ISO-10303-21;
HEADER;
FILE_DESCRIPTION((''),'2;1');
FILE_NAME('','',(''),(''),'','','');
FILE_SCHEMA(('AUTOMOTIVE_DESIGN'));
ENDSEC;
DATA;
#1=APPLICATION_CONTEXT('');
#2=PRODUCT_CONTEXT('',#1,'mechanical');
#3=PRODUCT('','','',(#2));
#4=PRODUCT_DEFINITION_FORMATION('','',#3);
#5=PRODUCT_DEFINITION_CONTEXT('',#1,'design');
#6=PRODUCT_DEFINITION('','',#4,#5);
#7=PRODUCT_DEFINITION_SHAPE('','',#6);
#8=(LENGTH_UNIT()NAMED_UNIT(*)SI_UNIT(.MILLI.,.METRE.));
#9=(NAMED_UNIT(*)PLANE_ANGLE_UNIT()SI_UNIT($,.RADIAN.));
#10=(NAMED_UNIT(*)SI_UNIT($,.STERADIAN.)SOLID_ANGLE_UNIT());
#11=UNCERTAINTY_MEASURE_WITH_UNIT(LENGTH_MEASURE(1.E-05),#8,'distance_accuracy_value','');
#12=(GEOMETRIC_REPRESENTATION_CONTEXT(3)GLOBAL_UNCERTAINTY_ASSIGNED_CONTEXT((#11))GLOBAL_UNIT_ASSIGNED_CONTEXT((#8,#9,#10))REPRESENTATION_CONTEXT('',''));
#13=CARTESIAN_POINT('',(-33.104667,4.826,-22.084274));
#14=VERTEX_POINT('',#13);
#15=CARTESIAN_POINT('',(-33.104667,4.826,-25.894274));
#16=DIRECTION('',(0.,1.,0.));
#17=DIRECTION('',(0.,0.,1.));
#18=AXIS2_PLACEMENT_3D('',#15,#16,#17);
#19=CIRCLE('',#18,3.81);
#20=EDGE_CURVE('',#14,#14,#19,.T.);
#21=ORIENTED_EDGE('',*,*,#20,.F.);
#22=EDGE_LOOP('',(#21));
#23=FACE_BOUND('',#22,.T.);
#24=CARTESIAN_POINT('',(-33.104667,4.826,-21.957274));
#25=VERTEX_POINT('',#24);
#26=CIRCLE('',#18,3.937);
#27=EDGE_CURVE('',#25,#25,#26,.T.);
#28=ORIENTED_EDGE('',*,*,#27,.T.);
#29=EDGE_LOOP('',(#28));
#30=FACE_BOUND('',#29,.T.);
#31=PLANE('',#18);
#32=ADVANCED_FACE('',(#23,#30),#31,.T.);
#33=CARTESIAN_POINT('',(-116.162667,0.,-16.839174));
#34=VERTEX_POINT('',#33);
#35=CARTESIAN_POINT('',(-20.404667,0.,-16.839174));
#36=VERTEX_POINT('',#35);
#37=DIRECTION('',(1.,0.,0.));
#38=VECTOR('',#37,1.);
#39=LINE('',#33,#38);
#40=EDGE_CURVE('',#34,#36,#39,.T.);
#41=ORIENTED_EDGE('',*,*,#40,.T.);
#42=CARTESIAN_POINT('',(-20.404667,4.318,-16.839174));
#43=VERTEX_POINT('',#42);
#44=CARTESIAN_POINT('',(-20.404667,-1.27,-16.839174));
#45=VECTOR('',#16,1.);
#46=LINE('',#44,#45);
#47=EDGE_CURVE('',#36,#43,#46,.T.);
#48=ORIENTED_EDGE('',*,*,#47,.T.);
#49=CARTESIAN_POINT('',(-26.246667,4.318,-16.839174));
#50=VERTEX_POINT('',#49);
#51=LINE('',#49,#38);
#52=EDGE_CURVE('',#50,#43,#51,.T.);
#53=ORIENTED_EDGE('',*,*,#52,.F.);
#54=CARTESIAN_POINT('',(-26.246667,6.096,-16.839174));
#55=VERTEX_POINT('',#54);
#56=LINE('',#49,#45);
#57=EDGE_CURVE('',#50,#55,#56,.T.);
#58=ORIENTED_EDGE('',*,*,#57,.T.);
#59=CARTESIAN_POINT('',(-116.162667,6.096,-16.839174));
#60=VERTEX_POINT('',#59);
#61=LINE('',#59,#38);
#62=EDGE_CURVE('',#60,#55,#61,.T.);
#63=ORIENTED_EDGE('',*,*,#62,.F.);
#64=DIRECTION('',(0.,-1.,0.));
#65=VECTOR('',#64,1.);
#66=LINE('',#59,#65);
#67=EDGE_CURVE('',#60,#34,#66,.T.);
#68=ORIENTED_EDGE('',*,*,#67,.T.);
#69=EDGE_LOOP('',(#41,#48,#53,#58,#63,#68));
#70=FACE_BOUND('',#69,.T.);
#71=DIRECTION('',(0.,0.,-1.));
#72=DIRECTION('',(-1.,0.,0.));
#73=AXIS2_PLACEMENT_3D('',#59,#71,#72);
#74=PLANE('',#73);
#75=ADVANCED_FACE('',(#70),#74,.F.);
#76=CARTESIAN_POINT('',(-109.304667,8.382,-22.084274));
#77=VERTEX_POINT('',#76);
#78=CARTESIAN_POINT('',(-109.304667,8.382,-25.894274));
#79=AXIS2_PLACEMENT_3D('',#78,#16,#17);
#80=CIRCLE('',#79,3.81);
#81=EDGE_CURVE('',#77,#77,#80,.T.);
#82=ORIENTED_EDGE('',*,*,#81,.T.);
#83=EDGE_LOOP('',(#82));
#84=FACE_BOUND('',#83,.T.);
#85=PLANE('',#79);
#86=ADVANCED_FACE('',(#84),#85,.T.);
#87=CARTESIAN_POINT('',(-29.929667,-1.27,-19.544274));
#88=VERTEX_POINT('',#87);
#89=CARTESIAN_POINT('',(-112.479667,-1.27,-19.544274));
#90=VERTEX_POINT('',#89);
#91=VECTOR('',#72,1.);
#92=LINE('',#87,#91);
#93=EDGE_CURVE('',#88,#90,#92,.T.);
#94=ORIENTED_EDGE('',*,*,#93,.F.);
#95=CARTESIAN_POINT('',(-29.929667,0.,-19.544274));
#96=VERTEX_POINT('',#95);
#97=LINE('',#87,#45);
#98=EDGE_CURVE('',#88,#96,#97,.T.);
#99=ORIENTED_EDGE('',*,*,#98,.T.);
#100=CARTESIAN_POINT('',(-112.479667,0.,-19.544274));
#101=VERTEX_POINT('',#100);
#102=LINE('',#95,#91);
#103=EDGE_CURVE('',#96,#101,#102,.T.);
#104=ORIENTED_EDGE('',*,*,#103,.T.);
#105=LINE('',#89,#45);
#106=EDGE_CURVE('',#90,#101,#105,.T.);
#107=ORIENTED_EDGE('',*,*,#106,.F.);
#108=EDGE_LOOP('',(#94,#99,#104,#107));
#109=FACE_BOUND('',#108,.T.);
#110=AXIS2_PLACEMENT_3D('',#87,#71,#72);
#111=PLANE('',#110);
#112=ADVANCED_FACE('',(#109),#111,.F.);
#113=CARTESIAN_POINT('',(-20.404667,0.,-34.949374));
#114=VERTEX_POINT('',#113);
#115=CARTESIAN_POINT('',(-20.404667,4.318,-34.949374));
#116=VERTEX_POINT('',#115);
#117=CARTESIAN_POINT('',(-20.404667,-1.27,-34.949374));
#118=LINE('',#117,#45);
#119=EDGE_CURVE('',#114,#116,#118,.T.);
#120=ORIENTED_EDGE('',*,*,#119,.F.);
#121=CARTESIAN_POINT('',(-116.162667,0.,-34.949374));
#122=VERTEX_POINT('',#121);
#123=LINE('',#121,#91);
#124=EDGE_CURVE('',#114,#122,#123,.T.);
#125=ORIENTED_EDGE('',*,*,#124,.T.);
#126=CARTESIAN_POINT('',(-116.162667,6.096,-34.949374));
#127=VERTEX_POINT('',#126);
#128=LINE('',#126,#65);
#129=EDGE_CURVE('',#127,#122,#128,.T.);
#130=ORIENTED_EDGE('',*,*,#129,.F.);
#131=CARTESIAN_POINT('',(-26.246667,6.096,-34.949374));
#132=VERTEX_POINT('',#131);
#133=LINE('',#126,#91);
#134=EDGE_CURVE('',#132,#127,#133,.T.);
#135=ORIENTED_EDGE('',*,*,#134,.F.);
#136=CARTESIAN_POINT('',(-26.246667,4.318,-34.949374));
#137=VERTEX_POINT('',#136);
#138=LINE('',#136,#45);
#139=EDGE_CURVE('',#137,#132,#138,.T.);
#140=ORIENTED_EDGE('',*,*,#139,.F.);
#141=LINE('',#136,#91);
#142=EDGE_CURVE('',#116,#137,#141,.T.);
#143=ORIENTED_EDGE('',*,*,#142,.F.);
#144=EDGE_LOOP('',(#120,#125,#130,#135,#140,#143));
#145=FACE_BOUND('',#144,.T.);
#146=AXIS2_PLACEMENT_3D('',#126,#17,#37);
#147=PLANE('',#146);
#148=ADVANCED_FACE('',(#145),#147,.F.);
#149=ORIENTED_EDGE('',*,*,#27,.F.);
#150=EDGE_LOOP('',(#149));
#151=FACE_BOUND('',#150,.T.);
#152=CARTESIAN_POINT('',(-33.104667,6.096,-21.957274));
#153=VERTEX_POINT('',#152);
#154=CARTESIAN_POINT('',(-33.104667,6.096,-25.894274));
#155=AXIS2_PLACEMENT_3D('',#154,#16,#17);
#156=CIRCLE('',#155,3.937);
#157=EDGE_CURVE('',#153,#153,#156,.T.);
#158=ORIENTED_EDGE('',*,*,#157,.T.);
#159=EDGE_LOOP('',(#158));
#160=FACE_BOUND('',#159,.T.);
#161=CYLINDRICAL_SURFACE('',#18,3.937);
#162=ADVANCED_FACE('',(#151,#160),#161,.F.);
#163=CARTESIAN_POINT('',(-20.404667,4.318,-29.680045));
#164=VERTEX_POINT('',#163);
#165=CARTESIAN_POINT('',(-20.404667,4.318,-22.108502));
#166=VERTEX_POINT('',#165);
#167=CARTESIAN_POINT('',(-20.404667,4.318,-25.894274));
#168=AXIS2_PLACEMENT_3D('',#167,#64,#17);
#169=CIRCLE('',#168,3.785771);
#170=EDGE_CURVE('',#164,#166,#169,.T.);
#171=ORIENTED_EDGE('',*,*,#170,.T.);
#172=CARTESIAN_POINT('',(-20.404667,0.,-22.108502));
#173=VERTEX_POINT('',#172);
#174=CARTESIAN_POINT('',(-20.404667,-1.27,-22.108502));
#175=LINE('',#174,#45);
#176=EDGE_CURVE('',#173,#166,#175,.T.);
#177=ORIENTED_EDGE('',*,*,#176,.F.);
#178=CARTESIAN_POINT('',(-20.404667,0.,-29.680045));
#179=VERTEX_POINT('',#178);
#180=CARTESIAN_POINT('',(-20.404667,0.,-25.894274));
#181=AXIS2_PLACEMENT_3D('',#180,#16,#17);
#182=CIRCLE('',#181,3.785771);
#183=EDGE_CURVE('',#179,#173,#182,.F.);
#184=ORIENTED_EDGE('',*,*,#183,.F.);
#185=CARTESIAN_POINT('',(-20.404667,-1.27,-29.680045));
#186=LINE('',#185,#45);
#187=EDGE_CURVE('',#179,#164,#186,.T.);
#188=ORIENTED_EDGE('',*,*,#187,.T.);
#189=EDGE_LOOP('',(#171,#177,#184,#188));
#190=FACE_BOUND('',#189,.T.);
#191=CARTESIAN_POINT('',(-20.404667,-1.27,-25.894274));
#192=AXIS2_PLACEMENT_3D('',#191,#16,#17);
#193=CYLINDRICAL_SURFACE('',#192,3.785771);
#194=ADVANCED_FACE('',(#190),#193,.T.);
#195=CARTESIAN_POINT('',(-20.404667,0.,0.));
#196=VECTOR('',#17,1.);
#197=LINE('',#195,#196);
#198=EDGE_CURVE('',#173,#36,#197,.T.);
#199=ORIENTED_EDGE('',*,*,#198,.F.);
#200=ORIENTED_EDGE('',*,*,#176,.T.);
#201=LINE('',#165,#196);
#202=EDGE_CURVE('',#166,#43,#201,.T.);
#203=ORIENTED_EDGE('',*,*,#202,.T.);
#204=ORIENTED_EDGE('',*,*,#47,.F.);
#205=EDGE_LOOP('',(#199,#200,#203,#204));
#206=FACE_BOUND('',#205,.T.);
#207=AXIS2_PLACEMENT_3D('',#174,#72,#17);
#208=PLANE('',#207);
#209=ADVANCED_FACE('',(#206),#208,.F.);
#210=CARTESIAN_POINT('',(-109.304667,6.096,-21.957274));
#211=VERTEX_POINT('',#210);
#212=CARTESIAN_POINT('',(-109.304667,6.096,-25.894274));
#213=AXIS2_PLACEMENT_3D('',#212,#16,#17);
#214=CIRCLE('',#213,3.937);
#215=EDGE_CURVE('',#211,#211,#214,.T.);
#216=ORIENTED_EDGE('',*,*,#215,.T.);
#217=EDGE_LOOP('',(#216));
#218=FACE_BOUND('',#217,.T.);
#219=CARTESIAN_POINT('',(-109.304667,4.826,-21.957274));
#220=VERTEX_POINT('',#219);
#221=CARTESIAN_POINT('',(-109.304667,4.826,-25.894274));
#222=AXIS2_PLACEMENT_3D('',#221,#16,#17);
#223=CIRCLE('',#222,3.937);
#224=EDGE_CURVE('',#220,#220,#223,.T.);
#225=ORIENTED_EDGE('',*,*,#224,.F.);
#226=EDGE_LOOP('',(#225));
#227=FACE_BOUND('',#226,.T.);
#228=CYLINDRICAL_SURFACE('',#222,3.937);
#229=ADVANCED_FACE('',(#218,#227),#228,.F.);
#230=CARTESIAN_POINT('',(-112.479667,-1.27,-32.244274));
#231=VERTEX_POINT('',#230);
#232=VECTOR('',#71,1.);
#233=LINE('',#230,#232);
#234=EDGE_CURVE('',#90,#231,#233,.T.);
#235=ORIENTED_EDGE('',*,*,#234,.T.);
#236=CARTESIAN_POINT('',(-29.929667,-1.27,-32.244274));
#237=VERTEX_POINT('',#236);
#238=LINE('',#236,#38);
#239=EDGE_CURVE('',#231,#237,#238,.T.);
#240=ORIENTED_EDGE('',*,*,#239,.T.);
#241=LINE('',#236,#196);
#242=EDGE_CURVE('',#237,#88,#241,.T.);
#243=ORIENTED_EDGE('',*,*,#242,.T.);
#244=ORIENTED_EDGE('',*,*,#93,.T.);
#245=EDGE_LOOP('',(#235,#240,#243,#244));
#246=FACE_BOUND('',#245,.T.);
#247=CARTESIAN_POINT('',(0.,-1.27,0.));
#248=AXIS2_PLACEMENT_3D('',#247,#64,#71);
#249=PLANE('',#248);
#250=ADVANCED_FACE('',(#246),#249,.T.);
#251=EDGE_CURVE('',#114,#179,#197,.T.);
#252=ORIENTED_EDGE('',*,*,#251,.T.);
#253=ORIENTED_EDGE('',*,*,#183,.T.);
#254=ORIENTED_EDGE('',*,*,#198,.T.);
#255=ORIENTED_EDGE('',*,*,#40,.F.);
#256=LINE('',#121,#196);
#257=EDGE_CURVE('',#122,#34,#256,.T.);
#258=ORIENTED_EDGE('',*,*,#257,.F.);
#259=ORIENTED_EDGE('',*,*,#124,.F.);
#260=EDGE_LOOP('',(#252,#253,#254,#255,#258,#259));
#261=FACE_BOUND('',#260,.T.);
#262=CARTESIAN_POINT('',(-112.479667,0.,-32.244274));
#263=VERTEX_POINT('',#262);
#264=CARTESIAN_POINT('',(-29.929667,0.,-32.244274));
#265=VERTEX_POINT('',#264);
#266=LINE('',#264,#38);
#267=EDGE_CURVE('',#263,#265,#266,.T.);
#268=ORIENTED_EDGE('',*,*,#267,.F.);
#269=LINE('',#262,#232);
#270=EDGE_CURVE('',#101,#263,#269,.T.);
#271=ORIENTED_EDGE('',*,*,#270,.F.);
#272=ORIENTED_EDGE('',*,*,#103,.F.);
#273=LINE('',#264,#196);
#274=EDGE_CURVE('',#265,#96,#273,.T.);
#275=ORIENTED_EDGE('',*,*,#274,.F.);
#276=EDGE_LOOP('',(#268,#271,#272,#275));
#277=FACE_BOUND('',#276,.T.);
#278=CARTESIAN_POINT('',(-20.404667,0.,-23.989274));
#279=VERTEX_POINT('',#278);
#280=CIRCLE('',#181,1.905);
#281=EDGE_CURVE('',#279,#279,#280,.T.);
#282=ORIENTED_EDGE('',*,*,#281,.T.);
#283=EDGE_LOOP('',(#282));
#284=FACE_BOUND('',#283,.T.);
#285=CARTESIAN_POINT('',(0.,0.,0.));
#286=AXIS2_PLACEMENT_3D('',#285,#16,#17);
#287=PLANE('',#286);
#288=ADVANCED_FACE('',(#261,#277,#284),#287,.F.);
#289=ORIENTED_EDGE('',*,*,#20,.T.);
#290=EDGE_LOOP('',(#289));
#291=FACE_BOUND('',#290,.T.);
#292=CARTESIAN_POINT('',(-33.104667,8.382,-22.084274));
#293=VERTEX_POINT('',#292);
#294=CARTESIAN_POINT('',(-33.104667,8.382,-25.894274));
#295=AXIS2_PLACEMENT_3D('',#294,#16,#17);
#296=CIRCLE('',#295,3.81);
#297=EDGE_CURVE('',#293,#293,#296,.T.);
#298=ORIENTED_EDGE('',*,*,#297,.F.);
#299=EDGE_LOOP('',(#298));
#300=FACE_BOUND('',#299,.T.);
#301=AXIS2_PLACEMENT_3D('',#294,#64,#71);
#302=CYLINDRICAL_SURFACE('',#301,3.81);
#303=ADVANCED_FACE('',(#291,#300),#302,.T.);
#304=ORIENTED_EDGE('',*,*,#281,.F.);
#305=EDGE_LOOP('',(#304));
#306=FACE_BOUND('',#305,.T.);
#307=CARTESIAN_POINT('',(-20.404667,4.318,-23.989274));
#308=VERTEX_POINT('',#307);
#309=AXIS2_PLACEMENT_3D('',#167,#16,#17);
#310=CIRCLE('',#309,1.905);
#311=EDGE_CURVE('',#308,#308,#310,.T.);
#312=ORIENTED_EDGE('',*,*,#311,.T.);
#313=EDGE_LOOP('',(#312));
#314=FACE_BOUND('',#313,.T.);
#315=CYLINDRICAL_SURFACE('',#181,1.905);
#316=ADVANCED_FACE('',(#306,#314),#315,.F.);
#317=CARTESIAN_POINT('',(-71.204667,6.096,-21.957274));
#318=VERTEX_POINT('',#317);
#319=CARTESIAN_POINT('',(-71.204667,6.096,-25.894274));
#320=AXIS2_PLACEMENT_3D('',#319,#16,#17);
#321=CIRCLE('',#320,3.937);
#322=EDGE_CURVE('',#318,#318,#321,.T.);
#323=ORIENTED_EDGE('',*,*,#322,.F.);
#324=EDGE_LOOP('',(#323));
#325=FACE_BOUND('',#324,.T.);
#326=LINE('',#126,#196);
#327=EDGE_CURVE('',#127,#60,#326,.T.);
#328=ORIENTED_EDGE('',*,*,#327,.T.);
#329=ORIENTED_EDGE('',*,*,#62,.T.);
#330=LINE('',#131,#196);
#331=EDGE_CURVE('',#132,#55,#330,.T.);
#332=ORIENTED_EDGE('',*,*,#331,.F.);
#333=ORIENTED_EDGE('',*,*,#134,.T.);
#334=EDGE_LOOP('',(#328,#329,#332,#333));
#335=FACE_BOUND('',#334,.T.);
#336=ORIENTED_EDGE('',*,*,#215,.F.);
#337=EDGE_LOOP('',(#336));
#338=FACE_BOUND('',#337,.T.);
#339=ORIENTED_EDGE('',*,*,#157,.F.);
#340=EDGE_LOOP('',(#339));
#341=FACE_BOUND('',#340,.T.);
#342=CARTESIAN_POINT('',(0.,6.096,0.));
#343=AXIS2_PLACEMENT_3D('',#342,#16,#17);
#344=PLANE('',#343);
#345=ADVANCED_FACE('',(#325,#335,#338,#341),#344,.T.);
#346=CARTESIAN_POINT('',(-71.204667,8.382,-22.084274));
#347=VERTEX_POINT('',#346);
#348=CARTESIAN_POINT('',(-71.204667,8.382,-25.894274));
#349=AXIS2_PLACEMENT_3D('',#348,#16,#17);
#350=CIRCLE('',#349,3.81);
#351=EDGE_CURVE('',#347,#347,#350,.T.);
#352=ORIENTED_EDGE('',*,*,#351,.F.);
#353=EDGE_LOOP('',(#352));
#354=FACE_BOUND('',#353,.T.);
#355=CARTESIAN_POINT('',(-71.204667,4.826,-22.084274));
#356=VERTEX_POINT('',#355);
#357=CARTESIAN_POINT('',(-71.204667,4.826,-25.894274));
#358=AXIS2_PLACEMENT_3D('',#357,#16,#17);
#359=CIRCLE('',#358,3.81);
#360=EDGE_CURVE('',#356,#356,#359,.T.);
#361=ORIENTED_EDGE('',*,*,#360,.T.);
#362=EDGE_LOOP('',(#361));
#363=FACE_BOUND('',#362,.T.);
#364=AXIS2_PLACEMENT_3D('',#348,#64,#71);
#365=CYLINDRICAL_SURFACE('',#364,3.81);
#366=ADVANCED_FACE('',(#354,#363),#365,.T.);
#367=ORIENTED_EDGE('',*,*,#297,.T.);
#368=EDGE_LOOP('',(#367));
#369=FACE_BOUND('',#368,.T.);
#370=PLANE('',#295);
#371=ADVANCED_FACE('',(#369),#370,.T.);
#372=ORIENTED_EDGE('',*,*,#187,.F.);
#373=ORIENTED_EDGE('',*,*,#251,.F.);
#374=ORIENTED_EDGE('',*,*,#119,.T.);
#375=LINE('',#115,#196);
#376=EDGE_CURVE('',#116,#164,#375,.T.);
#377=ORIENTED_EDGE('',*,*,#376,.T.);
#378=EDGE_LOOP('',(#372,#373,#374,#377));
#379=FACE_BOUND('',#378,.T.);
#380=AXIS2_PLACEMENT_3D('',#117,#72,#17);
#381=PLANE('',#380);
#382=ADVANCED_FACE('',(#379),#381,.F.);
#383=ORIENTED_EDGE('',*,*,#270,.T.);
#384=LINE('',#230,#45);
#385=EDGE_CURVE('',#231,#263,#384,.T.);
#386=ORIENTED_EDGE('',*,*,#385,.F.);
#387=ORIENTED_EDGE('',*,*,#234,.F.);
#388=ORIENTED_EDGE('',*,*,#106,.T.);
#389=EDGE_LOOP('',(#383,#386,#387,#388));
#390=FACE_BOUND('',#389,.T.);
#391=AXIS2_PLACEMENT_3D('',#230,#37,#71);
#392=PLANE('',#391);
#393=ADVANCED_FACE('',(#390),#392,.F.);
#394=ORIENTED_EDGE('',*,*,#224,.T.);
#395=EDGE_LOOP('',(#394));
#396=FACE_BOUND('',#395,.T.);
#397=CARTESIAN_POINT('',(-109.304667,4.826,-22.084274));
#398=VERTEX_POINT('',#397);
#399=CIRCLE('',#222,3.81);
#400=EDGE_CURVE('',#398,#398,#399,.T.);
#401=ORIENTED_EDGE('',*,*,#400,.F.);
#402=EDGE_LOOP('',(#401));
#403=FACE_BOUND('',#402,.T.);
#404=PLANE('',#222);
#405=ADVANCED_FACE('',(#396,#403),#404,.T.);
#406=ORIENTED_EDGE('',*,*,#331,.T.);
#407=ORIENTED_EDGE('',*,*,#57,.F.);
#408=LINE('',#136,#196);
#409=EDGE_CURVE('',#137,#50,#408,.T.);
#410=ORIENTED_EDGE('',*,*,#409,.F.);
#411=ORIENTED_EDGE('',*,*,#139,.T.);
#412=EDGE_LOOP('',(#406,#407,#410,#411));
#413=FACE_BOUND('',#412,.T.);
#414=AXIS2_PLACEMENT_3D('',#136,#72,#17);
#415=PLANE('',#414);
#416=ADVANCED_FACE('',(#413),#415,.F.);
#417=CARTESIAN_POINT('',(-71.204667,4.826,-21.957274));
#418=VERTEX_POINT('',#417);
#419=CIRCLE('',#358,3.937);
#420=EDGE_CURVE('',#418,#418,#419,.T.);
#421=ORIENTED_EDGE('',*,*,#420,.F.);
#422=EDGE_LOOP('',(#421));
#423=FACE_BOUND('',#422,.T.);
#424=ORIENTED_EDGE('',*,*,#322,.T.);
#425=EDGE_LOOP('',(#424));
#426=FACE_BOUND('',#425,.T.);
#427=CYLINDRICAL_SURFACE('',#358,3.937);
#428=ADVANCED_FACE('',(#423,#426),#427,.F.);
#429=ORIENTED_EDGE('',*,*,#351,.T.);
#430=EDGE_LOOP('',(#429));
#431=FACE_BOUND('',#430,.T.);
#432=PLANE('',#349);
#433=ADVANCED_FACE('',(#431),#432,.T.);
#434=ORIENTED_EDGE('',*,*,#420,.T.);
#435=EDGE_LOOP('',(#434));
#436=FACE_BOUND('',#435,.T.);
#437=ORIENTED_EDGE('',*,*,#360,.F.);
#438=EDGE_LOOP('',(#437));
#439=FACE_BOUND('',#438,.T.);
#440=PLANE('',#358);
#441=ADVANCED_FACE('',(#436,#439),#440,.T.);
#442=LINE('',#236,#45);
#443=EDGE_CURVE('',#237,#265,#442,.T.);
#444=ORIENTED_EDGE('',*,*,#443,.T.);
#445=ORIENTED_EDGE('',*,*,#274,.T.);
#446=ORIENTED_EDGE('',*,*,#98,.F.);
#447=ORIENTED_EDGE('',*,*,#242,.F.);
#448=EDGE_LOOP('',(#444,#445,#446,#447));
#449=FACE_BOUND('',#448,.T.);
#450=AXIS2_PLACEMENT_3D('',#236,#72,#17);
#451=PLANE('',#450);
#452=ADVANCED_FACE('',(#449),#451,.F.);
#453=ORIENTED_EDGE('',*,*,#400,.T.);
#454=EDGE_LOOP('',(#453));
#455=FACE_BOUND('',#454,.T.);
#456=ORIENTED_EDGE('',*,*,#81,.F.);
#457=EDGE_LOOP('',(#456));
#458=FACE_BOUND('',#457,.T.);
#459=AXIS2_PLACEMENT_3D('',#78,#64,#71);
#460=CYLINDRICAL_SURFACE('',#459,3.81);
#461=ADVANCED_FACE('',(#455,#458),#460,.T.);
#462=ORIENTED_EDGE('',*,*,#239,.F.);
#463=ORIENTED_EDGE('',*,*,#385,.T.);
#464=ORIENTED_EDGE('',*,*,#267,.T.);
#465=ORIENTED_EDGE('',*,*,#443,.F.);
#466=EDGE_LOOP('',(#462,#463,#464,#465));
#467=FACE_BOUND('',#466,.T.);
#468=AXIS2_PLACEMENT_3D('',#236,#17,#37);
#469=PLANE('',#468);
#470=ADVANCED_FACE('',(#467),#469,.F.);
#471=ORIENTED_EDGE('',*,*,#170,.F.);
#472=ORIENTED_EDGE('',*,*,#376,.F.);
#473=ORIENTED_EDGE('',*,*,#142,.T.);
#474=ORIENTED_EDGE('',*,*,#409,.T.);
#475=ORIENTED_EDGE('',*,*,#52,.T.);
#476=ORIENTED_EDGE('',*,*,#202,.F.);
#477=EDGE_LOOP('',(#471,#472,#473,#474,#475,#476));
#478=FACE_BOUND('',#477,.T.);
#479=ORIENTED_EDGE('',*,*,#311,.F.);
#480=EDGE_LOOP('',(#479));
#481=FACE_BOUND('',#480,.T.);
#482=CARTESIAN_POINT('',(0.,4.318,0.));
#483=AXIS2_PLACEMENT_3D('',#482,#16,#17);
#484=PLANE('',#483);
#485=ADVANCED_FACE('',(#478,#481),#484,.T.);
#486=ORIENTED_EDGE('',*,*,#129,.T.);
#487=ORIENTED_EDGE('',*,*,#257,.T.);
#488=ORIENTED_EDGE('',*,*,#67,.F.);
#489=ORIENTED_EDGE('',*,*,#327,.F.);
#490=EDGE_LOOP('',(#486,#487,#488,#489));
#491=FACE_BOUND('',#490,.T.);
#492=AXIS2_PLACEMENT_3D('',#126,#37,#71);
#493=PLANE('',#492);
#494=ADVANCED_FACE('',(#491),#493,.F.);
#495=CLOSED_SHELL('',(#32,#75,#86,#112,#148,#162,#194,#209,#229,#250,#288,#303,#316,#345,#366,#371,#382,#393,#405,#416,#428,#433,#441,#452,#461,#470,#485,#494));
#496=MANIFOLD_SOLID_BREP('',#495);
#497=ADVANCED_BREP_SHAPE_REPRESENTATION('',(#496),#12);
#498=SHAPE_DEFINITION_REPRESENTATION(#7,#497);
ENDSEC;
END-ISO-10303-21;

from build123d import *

# Parameters (mm, degrees)
SKETCH1_W           = 99.568
SKETCH1_H           = 18.1102
BOSS_EXTRUDE1_DEPTH = 6.096
SKETCH2_W           = 9.652
SKETCH2_H           = 18.1102
CUT_EXTRUDE1_DEPTH  = 1.778
SKETCH3_R           = 1.905
CUT_EXTRUDE2_DEPTH  = 5.318
SKETCH4_R           = 3.937
CUT_EXTRUDE3_DEPTH  = 1.27
SKETCH5_W           = 82.55
SKETCH5_H           = 12.7
BOSS_EXTRUDE2_DEPTH = 1.27
CUT_EXTRUDE4_DEPTH  = 6.588
SKETCH8_R           = 3.81
BOSS_EXTRUDE3_DEPTH = 3.556


with BuildPart() as part:
    # Sketch1 → Boss-Extrude1 (new body)
    with BuildSketch(Plane(origin=(0, 0, 0), x_dir=(1, 0, 0), z_dir=(0, 1, 0))):
        with Locations((-66.378666667, 25.894273737)):
            Rectangle(SKETCH1_W, SKETCH1_H)
    extrude(amount=BOSS_EXTRUDE1_DEPTH)

    # Sketch2 → Cut-Extrude1 (cut)
    with BuildSketch(Plane(origin=(0, 6.096, 0), x_dir=(1, 0, 0), z_dir=(0, 1, 0))):
        with Locations((-21.420666667, 25.894273737)):
            Rectangle(SKETCH2_W, SKETCH2_H)
    extrude(amount=-CUT_EXTRUDE1_DEPTH, mode=Mode.SUBTRACT)

    # Sketch3 → Cut-Extrude2 (cut, through all)
    with BuildSketch(Plane(origin=(0, 4.318, 0), x_dir=(1, 0, 0), z_dir=(0, 1, 0))):
        with Locations((-20.404666667, 25.894273737)):
            Circle(SKETCH3_R)
    extrude(amount=-CUT_EXTRUDE2_DEPTH, mode=Mode.SUBTRACT)

    # Sketch4 → Cut-Extrude3 (cut)
    with BuildSketch(Plane(origin=(0, 6.096, 0), x_dir=(1, 0, 0), z_dir=(0, 1, 0))):
        with Locations((-33.104666667, 25.894273737)):
            Circle(SKETCH4_R)
        with Locations((-71.204666667, 25.894273737)):
            Circle(SKETCH4_R)
        with Locations((-109.304666667, 25.894273737)):
            Circle(SKETCH4_R)
    extrude(amount=-CUT_EXTRUDE3_DEPTH, mode=Mode.SUBTRACT)

    # Sketch5 → Boss-Extrude2 (add)
    with BuildSketch(Plane.XZ):
        with Locations((-71.204666667, -25.894273737)):
            Rectangle(SKETCH5_W, SKETCH5_H)
    extrude(amount=BOSS_EXTRUDE2_DEPTH)

    # Sketch7 → Cut-Extrude4 (cut, through all)
    with BuildSketch(Plane(origin=(0, 4.318, 0), x_dir=(1, 0, 0), z_dir=(0, 1, 0))):
        with BuildLine():
            Line((-16.594666667, 34.949373737), (-20.404666667, 34.949373737))
            Line((-20.404666667, 34.949373737), (-20.404666667, 29.680045052))
            ThreePointArc((-20.404666667, 29.680045052), (-16.618895352, 25.894273737), (-20.404666667, 22.108502422))
            Line((-20.404666667, 22.108502422), (-20.404666667, 16.839173737))
            Line((-20.404666667, 16.839173737), (-16.594666667, 16.839173737))
            Line((-16.594666667, 16.839173737), (-16.594666667, 34.949373737))
        make_face()
    extrude(amount=-CUT_EXTRUDE4_DEPTH, mode=Mode.SUBTRACT)

    # Sketch8 → Boss-Extrude3 (add)
    with BuildSketch(Plane(origin=(0, 4.826, 0), x_dir=(1, 0, 0), z_dir=(0, 1, 0))):
        with Locations((-33.104666667, 25.894273737)):
            Circle(SKETCH8_R)
        with Locations((-71.204666667, 25.894273737)):
            Circle(SKETCH8_R)
        with Locations((-109.304666667, 25.894273737)):
            Circle(SKETCH8_R)
    extrude(amount=BOSS_EXTRUDE3_DEPTH)


solid = part.part
